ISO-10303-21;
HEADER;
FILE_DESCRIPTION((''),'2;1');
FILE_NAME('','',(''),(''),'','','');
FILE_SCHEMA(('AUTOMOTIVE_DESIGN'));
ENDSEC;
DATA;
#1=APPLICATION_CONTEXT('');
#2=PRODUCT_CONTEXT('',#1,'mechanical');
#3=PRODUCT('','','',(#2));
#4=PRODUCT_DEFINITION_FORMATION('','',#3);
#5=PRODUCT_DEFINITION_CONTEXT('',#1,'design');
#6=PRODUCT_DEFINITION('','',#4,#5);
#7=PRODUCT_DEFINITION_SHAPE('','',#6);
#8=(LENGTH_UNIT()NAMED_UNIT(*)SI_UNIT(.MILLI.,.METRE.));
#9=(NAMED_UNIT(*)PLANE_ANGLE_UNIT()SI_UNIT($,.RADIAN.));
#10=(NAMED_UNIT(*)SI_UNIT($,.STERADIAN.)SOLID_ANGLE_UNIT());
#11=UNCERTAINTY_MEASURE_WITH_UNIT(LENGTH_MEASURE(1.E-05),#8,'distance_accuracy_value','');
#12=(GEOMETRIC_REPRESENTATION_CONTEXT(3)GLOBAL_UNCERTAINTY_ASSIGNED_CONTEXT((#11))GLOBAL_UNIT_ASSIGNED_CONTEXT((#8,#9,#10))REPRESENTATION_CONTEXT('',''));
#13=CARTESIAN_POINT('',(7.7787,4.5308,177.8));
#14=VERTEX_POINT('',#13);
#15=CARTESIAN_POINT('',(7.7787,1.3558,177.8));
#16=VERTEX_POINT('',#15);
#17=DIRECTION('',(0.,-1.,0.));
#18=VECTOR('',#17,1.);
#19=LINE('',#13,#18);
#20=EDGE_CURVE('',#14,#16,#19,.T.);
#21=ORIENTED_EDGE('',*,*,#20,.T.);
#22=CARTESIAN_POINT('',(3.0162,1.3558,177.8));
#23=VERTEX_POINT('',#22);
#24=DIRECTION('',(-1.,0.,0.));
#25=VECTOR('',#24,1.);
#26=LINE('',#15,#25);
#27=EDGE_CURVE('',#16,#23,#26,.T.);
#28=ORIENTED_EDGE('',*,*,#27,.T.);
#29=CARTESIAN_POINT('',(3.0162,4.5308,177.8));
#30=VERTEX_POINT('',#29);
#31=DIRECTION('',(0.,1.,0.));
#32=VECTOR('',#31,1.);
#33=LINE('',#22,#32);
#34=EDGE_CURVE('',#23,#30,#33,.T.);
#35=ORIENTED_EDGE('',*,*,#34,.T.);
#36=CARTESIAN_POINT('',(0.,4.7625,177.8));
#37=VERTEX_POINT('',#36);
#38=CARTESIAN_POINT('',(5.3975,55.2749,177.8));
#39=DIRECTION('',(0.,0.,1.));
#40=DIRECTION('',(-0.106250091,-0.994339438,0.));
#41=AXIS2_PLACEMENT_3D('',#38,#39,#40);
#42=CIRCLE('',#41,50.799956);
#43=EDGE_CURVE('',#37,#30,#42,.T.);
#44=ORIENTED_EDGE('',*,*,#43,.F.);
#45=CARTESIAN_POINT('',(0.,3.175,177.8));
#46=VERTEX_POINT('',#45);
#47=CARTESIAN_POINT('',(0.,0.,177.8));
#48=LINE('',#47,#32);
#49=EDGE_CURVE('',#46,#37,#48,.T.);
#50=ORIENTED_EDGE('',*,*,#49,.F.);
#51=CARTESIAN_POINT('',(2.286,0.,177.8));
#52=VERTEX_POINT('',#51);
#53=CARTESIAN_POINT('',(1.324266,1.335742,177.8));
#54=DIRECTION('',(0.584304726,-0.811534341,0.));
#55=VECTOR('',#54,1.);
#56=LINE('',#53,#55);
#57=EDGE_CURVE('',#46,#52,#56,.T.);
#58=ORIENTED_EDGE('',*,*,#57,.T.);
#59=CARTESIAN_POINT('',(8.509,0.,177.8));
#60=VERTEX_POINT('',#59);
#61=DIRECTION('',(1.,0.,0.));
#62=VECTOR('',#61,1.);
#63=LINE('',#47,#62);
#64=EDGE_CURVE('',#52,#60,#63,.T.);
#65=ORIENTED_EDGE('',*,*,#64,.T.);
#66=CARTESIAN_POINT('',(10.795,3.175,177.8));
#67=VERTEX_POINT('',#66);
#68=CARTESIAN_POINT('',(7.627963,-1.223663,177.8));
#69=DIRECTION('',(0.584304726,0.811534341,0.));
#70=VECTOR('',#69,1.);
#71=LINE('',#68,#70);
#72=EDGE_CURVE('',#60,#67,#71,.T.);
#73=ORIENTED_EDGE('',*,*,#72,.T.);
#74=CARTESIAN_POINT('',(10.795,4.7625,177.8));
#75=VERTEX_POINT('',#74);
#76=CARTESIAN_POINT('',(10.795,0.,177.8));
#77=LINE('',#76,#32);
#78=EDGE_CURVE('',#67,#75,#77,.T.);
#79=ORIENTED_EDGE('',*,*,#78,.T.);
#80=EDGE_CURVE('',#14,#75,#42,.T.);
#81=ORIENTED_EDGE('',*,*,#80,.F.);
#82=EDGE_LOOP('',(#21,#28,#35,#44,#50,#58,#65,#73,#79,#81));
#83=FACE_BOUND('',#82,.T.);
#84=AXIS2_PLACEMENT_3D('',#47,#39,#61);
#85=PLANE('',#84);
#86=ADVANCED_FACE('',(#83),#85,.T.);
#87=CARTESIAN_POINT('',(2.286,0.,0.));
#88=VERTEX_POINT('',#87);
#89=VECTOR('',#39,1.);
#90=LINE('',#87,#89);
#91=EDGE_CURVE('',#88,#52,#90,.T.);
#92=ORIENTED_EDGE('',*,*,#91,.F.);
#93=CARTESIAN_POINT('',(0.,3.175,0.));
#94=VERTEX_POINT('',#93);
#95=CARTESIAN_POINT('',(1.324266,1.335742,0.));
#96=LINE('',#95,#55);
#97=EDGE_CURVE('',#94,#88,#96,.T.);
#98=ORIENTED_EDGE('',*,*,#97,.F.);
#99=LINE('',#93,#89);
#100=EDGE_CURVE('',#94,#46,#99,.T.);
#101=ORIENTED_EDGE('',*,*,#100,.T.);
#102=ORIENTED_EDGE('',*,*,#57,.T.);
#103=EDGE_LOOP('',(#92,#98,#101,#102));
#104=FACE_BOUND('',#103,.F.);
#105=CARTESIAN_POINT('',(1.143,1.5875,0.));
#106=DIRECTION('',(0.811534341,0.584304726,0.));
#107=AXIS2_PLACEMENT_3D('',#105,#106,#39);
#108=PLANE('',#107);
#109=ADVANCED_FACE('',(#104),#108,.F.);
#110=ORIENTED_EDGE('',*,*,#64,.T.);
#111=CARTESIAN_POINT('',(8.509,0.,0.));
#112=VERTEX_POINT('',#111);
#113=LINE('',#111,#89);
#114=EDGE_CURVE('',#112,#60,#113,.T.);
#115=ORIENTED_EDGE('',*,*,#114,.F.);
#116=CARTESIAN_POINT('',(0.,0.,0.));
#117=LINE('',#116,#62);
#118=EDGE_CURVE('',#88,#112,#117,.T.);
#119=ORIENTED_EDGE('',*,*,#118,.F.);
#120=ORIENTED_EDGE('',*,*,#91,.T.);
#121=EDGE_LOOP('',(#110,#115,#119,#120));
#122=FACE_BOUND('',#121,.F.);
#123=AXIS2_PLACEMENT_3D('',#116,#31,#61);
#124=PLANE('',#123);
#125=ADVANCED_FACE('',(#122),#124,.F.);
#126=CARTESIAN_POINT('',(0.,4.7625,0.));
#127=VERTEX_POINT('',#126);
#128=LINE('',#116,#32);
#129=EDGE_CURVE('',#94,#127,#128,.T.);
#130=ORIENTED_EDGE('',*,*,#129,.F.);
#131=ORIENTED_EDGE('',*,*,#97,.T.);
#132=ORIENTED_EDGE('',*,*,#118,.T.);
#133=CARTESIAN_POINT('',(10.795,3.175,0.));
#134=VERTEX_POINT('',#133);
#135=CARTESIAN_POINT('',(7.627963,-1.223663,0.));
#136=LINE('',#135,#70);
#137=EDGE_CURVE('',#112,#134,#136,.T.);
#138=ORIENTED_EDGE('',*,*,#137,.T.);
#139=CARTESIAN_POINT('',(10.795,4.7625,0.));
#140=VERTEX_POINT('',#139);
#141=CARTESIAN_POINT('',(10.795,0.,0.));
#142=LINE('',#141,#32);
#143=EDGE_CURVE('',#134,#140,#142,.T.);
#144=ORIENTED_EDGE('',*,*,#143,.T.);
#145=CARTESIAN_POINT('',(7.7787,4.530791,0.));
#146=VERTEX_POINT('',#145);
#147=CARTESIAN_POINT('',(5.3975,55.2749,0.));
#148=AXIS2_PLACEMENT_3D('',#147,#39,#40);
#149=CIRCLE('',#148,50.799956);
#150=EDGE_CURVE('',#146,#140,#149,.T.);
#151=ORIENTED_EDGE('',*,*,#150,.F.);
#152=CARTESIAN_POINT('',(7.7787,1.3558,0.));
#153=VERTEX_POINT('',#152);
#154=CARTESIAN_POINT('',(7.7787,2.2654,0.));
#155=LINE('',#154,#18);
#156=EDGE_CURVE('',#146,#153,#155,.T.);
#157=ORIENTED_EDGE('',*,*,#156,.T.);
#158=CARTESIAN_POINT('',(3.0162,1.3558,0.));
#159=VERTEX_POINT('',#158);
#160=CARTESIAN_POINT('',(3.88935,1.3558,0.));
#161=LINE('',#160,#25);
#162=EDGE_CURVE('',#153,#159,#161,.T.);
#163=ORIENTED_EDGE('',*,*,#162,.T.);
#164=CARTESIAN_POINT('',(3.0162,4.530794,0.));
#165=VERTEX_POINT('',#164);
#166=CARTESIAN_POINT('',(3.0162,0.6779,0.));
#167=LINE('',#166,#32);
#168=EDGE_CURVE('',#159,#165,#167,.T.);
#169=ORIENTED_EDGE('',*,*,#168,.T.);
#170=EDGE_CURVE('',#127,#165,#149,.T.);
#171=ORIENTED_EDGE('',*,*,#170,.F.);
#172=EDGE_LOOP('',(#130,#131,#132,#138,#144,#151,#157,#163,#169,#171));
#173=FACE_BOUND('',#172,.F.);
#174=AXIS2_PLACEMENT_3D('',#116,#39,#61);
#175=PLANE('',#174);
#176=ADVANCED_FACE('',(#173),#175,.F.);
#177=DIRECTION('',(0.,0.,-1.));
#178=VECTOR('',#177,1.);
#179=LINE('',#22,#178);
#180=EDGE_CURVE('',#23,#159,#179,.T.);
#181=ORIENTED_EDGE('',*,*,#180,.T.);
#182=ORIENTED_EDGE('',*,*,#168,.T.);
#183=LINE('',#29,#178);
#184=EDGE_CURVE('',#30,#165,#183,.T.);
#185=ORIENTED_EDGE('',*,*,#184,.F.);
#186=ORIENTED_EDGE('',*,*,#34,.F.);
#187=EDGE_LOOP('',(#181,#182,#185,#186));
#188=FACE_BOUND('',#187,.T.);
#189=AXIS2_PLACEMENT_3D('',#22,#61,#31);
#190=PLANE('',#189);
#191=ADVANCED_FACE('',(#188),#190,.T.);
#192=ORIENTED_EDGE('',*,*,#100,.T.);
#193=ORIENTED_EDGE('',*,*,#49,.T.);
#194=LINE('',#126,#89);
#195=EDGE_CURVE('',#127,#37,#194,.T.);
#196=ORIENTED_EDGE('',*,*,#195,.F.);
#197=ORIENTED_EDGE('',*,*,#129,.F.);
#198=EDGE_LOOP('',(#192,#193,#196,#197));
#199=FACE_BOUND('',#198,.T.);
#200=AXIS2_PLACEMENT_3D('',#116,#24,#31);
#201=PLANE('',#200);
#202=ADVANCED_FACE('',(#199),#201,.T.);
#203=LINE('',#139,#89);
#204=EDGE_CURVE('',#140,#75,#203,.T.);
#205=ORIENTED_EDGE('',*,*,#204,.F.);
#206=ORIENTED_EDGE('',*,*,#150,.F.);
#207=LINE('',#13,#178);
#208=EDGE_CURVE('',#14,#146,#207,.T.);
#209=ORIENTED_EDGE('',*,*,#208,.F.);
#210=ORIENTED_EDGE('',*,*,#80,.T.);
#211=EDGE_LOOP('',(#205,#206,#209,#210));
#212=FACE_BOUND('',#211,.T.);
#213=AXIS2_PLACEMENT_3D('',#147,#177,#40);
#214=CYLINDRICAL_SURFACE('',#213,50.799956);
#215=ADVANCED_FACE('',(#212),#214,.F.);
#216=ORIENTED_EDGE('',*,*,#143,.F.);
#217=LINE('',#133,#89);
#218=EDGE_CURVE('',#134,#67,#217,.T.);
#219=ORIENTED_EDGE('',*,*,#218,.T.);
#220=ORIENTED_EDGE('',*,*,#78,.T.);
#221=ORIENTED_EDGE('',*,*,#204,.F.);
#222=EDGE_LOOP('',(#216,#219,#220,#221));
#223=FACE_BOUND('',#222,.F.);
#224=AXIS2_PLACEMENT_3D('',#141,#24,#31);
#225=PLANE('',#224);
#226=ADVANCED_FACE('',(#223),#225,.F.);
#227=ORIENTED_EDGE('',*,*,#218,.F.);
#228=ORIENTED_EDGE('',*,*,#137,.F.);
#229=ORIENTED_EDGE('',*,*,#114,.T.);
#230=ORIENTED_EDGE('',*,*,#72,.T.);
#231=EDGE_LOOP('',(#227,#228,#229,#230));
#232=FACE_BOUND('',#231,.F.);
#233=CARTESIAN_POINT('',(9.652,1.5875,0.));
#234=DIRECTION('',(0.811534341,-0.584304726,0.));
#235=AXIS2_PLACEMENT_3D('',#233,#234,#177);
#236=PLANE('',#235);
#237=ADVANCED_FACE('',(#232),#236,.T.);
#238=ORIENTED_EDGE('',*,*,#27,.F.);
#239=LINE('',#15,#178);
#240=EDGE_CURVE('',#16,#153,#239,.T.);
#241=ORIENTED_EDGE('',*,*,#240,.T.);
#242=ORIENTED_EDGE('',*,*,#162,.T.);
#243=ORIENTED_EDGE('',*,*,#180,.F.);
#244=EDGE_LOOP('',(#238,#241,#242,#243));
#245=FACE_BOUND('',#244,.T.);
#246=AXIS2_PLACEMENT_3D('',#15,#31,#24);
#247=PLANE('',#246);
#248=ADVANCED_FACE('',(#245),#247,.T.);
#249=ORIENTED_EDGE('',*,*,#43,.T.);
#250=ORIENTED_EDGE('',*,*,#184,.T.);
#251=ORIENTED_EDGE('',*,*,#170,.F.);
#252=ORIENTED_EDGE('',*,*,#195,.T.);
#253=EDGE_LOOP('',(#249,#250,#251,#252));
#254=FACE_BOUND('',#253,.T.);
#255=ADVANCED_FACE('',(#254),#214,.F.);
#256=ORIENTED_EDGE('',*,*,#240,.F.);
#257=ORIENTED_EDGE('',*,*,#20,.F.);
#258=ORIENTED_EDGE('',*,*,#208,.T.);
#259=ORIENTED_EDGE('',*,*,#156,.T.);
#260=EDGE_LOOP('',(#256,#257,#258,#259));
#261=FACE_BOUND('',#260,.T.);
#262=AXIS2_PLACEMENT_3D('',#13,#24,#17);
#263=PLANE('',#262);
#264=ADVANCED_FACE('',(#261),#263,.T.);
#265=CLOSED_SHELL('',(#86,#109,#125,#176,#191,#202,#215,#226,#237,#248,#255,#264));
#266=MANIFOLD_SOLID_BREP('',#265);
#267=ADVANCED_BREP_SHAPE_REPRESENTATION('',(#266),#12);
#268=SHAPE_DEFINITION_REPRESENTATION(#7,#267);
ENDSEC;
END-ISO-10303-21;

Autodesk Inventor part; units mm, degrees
ref_plane "YZ Plane" through (0, 0, 0) normal (1, 0, 0) x (0, 1, 0)
ref_plane "XZ Plane" through (0, 0, 0) normal (0, 1, 0) x (-1, 0, 0)
ref_plane "XY Plane" through (0, 0, 0) normal (0, 0, 1) x (1, 0, 0)
sketch "Sketch1" plane through (0, 0, 0) normal (0, 0, 1) x (1, 0, 0)
  line L0 (0, 0) -> (10.795, 0)
  line L1 (10.795, 0) -> (10.795, 4.7625)
  line L2 (0, 0) -> (0, 4.7625)
  arc A0 (0, 4.7625) -> (10.795, 4.7625) centre (5.3975, 55.2749) ccw
  dimension "d0" = 50.8
  dimension "d1" = 10.795
  dimension "d2" = 4.7625
extrude "Extrusion1" add sketch "Sketch1" along normal blind 177.8
sketch "Sketch2" plane through (0, 0, 177.8) normal (0, 0, 1) x (1, 0, 0)
  arc A0 (0, 4.7625) -> (10.795, 4.7625) centre (5.3975, 55.2749) ccw projected
  line L0 (3.0162, 4.5308) -> (7.7787, 4.5308)
  line L1 (7.7787, 4.5308) -> (7.7787, 1.3558)
  line L2 (7.7787, 1.3558) -> (3.0162, 1.3558)
  line L3 (3.0162, 1.3558) -> (3.0162, 4.5308)
  point P0 (0, 0)
  point P1 (5.3975, 4.5308)
  point P2 (5.3975, 4.4749)
  dimension "d5" = 4.7625
  dimension "d6" = 3.175
extrude "Extrusion2" cut sketch "Sketch2" against normal through all contours A0 L1 L2 L3
chamfer "Chamfer2" distance 3.175 distance2 2.286 1 edges at (0, 0, 88.9) measured on face at (0, 3.175, 118.5333)
chamfer "Chamfer3" distance 2.286 distance2 3.175 1 edges at (10.795, 0, 88.9) measured on face at (5.1223, 0, 59.2667)
properties part number "WireGuideToMiniSub" material "ABS Plastic"
